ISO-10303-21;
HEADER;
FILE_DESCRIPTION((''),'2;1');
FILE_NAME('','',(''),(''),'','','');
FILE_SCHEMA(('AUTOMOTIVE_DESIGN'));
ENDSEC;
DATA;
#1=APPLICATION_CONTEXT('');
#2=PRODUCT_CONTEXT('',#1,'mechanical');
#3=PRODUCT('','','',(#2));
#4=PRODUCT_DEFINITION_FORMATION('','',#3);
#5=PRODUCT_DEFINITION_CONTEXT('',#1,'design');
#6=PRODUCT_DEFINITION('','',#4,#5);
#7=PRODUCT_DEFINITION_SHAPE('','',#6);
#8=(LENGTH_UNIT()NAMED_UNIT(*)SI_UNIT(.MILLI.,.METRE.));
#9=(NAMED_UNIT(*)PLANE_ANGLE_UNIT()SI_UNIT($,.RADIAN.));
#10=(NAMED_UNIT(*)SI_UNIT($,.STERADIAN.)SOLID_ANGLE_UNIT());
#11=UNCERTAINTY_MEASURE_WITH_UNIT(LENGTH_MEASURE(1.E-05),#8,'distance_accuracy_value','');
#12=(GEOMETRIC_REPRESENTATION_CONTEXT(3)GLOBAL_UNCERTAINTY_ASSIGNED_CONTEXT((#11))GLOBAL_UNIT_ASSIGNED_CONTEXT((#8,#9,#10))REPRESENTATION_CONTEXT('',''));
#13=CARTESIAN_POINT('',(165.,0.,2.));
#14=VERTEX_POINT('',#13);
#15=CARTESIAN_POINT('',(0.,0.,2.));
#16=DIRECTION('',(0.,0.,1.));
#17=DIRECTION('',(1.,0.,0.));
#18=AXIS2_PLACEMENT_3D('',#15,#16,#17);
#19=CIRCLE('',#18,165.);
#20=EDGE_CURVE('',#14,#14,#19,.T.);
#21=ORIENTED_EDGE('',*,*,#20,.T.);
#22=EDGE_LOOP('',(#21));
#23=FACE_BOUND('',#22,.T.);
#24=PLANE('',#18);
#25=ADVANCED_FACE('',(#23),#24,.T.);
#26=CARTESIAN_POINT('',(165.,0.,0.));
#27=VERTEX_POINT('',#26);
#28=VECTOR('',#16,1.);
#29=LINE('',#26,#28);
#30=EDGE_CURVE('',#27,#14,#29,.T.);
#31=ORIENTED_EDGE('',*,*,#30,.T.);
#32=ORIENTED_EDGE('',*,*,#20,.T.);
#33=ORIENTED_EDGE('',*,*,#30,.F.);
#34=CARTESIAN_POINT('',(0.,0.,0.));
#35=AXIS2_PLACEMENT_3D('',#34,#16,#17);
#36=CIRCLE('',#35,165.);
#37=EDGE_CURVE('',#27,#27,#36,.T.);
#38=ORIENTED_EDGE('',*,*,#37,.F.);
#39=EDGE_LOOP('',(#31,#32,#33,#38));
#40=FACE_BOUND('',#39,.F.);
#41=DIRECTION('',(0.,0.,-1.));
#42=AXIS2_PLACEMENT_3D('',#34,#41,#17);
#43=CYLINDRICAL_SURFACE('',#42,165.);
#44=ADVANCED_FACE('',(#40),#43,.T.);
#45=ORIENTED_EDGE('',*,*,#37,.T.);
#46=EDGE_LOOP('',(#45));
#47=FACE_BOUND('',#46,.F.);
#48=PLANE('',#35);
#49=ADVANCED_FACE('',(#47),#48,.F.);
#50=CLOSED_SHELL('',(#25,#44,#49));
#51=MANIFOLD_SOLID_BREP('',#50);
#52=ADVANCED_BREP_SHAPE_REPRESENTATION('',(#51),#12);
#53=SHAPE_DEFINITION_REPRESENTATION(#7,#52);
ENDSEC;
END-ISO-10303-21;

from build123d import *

# Parameters (mm, degrees)
SKETCH_R  = 165
PAD_DEPTH = 2


with BuildPart() as part:
    # Sketch → Pad (new body)
    with BuildSketch(Plane.XY):
        Circle(SKETCH_R)
    extrude(amount=PAD_DEPTH)


solid = part.part
